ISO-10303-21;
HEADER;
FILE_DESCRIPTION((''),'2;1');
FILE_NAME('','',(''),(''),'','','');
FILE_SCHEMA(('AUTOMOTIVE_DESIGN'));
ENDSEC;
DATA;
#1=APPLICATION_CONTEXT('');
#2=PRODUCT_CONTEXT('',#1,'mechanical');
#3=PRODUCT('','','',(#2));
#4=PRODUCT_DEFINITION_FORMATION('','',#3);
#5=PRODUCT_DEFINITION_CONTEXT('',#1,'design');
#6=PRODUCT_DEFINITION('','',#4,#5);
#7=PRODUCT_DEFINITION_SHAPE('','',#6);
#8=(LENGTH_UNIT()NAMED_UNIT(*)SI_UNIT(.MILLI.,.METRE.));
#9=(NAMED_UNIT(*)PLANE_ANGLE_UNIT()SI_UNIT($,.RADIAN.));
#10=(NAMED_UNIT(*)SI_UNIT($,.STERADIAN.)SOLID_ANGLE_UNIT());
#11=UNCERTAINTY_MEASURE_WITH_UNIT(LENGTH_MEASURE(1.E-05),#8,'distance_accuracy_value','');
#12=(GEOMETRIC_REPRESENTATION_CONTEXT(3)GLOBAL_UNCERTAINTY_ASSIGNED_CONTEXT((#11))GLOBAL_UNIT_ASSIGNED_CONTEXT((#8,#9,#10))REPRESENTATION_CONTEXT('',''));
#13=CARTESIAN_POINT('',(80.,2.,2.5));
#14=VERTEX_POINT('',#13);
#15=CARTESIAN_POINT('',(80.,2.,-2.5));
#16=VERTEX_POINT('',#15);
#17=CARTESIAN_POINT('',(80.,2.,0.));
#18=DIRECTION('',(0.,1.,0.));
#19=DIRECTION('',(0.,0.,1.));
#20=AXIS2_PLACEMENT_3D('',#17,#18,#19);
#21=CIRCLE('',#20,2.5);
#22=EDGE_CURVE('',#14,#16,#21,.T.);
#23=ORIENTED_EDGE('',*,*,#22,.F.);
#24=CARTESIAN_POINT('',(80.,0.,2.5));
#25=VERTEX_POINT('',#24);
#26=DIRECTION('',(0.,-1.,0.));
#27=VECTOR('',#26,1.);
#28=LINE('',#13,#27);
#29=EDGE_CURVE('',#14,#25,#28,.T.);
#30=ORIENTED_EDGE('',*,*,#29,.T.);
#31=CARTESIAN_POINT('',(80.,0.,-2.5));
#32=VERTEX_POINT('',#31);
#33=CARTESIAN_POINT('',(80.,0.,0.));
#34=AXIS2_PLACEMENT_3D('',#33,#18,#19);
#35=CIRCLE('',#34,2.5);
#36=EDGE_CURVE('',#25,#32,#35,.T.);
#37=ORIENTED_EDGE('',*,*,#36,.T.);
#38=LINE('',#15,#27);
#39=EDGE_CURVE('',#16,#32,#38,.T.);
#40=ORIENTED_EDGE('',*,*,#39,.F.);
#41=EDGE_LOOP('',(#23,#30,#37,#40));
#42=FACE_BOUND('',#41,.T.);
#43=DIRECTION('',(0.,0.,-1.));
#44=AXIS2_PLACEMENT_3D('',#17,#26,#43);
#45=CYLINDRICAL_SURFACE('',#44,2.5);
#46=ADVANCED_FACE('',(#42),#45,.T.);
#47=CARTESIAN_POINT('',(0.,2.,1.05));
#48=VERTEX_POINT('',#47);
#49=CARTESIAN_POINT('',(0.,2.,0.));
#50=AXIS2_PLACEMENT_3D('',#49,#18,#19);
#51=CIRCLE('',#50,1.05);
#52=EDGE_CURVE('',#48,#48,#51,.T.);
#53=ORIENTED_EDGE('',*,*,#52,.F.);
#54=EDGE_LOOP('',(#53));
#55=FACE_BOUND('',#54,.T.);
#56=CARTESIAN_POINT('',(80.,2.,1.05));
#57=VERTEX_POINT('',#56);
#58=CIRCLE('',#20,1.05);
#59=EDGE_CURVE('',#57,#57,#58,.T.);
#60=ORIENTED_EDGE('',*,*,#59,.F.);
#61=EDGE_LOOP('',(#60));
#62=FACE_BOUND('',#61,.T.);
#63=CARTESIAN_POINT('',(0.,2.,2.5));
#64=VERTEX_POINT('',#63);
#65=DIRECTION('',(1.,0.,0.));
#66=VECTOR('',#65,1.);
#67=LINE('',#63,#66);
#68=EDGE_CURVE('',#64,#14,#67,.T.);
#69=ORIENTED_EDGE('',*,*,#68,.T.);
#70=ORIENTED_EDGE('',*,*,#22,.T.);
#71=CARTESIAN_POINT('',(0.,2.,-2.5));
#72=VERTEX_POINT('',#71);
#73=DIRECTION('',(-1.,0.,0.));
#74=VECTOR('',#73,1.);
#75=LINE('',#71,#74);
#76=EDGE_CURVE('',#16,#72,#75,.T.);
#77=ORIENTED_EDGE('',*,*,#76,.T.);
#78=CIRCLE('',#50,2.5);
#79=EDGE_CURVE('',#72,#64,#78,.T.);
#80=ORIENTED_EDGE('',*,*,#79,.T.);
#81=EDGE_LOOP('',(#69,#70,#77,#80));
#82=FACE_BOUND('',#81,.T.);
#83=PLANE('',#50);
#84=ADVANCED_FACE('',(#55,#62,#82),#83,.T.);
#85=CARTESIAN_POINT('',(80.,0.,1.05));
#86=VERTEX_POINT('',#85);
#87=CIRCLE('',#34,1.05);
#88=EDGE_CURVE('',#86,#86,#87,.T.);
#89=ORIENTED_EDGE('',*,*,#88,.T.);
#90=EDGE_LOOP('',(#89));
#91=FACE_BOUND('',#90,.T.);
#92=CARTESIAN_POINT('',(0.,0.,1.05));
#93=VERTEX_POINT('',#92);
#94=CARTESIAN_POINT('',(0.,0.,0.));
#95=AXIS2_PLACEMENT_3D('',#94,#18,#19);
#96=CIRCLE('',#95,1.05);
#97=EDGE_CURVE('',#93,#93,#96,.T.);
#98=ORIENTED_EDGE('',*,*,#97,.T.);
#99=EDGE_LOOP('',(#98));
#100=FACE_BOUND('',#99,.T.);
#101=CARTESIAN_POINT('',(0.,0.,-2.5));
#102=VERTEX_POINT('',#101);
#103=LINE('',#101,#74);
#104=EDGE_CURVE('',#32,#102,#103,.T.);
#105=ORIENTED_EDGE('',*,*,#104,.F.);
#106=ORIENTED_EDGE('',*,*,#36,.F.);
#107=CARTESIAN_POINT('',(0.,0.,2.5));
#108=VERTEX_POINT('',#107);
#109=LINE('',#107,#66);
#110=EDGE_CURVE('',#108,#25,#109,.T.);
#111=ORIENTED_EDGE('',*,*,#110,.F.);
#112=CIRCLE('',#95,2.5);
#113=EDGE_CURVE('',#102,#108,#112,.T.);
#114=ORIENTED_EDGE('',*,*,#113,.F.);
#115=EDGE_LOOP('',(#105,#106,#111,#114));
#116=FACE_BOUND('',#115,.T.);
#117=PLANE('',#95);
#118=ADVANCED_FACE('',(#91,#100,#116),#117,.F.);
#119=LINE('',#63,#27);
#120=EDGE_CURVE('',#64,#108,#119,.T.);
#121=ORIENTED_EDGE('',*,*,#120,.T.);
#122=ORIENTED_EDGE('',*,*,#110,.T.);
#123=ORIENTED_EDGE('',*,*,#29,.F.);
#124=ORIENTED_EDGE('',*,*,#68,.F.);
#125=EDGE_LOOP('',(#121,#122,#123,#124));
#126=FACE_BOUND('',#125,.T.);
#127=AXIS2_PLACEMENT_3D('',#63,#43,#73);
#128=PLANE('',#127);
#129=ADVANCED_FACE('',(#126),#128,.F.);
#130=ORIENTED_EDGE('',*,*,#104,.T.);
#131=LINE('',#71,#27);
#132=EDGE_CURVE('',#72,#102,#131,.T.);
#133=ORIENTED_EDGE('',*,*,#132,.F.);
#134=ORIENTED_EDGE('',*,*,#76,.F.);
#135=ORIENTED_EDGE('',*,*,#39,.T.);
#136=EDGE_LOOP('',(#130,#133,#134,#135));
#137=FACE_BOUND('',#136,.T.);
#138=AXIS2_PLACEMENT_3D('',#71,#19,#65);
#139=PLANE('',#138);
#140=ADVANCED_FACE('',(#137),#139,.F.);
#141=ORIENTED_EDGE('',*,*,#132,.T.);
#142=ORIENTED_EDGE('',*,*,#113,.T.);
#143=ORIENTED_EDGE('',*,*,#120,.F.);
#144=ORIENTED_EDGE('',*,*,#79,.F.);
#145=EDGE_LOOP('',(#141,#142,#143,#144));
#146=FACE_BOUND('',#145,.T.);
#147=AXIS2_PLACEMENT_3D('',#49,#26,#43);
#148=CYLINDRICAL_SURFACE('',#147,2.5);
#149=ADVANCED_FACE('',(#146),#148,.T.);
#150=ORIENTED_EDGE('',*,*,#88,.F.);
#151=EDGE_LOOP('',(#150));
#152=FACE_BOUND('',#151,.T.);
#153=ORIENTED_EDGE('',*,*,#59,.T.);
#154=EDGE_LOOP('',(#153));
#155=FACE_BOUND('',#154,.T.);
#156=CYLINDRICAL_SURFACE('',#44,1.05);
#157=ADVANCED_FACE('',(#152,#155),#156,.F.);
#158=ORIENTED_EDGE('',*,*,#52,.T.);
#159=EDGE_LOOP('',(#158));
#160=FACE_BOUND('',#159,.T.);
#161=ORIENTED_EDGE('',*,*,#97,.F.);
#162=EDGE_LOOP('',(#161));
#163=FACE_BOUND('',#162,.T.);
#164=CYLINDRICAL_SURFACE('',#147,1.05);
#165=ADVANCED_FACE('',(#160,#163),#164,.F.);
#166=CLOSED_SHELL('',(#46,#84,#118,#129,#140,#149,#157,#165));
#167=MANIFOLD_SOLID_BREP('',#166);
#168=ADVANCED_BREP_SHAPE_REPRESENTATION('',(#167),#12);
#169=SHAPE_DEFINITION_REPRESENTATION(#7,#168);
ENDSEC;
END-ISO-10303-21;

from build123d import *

# Parameters (mm, degrees)
SKETCH1_R           = 1.05
BOSS_EXTRUDE1_DEPTH = 2


with BuildPart() as part:
    # Sketch1 → Boss-Extrude1 (new body)
    with BuildSketch(Plane(origin=(0, 0, 0), x_dir=(1, 0, 0), z_dir=(0, 1, 0))):
        with BuildLine():
            Line((0, 2.5), (80, 2.5))
            ThreePointArc((80, 2.5), (82.5, 0), (80, -2.5))
            Line((80, -2.5), (0, -2.5))
            ThreePointArc((0, -2.5), (-2.5, 0), (0, 2.5))
        make_face()
        with Locations(Location((0, 0, 0), (0, 0, 270))):
            Circle(SKETCH1_R, mode=Mode.SUBTRACT)
        with Locations(Location((80, 0, 0), (0, 0, 270))):
            Circle(SKETCH1_R, mode=Mode.SUBTRACT)
    extrude(amount=BOSS_EXTRUDE1_DEPTH)


solid = part.part
